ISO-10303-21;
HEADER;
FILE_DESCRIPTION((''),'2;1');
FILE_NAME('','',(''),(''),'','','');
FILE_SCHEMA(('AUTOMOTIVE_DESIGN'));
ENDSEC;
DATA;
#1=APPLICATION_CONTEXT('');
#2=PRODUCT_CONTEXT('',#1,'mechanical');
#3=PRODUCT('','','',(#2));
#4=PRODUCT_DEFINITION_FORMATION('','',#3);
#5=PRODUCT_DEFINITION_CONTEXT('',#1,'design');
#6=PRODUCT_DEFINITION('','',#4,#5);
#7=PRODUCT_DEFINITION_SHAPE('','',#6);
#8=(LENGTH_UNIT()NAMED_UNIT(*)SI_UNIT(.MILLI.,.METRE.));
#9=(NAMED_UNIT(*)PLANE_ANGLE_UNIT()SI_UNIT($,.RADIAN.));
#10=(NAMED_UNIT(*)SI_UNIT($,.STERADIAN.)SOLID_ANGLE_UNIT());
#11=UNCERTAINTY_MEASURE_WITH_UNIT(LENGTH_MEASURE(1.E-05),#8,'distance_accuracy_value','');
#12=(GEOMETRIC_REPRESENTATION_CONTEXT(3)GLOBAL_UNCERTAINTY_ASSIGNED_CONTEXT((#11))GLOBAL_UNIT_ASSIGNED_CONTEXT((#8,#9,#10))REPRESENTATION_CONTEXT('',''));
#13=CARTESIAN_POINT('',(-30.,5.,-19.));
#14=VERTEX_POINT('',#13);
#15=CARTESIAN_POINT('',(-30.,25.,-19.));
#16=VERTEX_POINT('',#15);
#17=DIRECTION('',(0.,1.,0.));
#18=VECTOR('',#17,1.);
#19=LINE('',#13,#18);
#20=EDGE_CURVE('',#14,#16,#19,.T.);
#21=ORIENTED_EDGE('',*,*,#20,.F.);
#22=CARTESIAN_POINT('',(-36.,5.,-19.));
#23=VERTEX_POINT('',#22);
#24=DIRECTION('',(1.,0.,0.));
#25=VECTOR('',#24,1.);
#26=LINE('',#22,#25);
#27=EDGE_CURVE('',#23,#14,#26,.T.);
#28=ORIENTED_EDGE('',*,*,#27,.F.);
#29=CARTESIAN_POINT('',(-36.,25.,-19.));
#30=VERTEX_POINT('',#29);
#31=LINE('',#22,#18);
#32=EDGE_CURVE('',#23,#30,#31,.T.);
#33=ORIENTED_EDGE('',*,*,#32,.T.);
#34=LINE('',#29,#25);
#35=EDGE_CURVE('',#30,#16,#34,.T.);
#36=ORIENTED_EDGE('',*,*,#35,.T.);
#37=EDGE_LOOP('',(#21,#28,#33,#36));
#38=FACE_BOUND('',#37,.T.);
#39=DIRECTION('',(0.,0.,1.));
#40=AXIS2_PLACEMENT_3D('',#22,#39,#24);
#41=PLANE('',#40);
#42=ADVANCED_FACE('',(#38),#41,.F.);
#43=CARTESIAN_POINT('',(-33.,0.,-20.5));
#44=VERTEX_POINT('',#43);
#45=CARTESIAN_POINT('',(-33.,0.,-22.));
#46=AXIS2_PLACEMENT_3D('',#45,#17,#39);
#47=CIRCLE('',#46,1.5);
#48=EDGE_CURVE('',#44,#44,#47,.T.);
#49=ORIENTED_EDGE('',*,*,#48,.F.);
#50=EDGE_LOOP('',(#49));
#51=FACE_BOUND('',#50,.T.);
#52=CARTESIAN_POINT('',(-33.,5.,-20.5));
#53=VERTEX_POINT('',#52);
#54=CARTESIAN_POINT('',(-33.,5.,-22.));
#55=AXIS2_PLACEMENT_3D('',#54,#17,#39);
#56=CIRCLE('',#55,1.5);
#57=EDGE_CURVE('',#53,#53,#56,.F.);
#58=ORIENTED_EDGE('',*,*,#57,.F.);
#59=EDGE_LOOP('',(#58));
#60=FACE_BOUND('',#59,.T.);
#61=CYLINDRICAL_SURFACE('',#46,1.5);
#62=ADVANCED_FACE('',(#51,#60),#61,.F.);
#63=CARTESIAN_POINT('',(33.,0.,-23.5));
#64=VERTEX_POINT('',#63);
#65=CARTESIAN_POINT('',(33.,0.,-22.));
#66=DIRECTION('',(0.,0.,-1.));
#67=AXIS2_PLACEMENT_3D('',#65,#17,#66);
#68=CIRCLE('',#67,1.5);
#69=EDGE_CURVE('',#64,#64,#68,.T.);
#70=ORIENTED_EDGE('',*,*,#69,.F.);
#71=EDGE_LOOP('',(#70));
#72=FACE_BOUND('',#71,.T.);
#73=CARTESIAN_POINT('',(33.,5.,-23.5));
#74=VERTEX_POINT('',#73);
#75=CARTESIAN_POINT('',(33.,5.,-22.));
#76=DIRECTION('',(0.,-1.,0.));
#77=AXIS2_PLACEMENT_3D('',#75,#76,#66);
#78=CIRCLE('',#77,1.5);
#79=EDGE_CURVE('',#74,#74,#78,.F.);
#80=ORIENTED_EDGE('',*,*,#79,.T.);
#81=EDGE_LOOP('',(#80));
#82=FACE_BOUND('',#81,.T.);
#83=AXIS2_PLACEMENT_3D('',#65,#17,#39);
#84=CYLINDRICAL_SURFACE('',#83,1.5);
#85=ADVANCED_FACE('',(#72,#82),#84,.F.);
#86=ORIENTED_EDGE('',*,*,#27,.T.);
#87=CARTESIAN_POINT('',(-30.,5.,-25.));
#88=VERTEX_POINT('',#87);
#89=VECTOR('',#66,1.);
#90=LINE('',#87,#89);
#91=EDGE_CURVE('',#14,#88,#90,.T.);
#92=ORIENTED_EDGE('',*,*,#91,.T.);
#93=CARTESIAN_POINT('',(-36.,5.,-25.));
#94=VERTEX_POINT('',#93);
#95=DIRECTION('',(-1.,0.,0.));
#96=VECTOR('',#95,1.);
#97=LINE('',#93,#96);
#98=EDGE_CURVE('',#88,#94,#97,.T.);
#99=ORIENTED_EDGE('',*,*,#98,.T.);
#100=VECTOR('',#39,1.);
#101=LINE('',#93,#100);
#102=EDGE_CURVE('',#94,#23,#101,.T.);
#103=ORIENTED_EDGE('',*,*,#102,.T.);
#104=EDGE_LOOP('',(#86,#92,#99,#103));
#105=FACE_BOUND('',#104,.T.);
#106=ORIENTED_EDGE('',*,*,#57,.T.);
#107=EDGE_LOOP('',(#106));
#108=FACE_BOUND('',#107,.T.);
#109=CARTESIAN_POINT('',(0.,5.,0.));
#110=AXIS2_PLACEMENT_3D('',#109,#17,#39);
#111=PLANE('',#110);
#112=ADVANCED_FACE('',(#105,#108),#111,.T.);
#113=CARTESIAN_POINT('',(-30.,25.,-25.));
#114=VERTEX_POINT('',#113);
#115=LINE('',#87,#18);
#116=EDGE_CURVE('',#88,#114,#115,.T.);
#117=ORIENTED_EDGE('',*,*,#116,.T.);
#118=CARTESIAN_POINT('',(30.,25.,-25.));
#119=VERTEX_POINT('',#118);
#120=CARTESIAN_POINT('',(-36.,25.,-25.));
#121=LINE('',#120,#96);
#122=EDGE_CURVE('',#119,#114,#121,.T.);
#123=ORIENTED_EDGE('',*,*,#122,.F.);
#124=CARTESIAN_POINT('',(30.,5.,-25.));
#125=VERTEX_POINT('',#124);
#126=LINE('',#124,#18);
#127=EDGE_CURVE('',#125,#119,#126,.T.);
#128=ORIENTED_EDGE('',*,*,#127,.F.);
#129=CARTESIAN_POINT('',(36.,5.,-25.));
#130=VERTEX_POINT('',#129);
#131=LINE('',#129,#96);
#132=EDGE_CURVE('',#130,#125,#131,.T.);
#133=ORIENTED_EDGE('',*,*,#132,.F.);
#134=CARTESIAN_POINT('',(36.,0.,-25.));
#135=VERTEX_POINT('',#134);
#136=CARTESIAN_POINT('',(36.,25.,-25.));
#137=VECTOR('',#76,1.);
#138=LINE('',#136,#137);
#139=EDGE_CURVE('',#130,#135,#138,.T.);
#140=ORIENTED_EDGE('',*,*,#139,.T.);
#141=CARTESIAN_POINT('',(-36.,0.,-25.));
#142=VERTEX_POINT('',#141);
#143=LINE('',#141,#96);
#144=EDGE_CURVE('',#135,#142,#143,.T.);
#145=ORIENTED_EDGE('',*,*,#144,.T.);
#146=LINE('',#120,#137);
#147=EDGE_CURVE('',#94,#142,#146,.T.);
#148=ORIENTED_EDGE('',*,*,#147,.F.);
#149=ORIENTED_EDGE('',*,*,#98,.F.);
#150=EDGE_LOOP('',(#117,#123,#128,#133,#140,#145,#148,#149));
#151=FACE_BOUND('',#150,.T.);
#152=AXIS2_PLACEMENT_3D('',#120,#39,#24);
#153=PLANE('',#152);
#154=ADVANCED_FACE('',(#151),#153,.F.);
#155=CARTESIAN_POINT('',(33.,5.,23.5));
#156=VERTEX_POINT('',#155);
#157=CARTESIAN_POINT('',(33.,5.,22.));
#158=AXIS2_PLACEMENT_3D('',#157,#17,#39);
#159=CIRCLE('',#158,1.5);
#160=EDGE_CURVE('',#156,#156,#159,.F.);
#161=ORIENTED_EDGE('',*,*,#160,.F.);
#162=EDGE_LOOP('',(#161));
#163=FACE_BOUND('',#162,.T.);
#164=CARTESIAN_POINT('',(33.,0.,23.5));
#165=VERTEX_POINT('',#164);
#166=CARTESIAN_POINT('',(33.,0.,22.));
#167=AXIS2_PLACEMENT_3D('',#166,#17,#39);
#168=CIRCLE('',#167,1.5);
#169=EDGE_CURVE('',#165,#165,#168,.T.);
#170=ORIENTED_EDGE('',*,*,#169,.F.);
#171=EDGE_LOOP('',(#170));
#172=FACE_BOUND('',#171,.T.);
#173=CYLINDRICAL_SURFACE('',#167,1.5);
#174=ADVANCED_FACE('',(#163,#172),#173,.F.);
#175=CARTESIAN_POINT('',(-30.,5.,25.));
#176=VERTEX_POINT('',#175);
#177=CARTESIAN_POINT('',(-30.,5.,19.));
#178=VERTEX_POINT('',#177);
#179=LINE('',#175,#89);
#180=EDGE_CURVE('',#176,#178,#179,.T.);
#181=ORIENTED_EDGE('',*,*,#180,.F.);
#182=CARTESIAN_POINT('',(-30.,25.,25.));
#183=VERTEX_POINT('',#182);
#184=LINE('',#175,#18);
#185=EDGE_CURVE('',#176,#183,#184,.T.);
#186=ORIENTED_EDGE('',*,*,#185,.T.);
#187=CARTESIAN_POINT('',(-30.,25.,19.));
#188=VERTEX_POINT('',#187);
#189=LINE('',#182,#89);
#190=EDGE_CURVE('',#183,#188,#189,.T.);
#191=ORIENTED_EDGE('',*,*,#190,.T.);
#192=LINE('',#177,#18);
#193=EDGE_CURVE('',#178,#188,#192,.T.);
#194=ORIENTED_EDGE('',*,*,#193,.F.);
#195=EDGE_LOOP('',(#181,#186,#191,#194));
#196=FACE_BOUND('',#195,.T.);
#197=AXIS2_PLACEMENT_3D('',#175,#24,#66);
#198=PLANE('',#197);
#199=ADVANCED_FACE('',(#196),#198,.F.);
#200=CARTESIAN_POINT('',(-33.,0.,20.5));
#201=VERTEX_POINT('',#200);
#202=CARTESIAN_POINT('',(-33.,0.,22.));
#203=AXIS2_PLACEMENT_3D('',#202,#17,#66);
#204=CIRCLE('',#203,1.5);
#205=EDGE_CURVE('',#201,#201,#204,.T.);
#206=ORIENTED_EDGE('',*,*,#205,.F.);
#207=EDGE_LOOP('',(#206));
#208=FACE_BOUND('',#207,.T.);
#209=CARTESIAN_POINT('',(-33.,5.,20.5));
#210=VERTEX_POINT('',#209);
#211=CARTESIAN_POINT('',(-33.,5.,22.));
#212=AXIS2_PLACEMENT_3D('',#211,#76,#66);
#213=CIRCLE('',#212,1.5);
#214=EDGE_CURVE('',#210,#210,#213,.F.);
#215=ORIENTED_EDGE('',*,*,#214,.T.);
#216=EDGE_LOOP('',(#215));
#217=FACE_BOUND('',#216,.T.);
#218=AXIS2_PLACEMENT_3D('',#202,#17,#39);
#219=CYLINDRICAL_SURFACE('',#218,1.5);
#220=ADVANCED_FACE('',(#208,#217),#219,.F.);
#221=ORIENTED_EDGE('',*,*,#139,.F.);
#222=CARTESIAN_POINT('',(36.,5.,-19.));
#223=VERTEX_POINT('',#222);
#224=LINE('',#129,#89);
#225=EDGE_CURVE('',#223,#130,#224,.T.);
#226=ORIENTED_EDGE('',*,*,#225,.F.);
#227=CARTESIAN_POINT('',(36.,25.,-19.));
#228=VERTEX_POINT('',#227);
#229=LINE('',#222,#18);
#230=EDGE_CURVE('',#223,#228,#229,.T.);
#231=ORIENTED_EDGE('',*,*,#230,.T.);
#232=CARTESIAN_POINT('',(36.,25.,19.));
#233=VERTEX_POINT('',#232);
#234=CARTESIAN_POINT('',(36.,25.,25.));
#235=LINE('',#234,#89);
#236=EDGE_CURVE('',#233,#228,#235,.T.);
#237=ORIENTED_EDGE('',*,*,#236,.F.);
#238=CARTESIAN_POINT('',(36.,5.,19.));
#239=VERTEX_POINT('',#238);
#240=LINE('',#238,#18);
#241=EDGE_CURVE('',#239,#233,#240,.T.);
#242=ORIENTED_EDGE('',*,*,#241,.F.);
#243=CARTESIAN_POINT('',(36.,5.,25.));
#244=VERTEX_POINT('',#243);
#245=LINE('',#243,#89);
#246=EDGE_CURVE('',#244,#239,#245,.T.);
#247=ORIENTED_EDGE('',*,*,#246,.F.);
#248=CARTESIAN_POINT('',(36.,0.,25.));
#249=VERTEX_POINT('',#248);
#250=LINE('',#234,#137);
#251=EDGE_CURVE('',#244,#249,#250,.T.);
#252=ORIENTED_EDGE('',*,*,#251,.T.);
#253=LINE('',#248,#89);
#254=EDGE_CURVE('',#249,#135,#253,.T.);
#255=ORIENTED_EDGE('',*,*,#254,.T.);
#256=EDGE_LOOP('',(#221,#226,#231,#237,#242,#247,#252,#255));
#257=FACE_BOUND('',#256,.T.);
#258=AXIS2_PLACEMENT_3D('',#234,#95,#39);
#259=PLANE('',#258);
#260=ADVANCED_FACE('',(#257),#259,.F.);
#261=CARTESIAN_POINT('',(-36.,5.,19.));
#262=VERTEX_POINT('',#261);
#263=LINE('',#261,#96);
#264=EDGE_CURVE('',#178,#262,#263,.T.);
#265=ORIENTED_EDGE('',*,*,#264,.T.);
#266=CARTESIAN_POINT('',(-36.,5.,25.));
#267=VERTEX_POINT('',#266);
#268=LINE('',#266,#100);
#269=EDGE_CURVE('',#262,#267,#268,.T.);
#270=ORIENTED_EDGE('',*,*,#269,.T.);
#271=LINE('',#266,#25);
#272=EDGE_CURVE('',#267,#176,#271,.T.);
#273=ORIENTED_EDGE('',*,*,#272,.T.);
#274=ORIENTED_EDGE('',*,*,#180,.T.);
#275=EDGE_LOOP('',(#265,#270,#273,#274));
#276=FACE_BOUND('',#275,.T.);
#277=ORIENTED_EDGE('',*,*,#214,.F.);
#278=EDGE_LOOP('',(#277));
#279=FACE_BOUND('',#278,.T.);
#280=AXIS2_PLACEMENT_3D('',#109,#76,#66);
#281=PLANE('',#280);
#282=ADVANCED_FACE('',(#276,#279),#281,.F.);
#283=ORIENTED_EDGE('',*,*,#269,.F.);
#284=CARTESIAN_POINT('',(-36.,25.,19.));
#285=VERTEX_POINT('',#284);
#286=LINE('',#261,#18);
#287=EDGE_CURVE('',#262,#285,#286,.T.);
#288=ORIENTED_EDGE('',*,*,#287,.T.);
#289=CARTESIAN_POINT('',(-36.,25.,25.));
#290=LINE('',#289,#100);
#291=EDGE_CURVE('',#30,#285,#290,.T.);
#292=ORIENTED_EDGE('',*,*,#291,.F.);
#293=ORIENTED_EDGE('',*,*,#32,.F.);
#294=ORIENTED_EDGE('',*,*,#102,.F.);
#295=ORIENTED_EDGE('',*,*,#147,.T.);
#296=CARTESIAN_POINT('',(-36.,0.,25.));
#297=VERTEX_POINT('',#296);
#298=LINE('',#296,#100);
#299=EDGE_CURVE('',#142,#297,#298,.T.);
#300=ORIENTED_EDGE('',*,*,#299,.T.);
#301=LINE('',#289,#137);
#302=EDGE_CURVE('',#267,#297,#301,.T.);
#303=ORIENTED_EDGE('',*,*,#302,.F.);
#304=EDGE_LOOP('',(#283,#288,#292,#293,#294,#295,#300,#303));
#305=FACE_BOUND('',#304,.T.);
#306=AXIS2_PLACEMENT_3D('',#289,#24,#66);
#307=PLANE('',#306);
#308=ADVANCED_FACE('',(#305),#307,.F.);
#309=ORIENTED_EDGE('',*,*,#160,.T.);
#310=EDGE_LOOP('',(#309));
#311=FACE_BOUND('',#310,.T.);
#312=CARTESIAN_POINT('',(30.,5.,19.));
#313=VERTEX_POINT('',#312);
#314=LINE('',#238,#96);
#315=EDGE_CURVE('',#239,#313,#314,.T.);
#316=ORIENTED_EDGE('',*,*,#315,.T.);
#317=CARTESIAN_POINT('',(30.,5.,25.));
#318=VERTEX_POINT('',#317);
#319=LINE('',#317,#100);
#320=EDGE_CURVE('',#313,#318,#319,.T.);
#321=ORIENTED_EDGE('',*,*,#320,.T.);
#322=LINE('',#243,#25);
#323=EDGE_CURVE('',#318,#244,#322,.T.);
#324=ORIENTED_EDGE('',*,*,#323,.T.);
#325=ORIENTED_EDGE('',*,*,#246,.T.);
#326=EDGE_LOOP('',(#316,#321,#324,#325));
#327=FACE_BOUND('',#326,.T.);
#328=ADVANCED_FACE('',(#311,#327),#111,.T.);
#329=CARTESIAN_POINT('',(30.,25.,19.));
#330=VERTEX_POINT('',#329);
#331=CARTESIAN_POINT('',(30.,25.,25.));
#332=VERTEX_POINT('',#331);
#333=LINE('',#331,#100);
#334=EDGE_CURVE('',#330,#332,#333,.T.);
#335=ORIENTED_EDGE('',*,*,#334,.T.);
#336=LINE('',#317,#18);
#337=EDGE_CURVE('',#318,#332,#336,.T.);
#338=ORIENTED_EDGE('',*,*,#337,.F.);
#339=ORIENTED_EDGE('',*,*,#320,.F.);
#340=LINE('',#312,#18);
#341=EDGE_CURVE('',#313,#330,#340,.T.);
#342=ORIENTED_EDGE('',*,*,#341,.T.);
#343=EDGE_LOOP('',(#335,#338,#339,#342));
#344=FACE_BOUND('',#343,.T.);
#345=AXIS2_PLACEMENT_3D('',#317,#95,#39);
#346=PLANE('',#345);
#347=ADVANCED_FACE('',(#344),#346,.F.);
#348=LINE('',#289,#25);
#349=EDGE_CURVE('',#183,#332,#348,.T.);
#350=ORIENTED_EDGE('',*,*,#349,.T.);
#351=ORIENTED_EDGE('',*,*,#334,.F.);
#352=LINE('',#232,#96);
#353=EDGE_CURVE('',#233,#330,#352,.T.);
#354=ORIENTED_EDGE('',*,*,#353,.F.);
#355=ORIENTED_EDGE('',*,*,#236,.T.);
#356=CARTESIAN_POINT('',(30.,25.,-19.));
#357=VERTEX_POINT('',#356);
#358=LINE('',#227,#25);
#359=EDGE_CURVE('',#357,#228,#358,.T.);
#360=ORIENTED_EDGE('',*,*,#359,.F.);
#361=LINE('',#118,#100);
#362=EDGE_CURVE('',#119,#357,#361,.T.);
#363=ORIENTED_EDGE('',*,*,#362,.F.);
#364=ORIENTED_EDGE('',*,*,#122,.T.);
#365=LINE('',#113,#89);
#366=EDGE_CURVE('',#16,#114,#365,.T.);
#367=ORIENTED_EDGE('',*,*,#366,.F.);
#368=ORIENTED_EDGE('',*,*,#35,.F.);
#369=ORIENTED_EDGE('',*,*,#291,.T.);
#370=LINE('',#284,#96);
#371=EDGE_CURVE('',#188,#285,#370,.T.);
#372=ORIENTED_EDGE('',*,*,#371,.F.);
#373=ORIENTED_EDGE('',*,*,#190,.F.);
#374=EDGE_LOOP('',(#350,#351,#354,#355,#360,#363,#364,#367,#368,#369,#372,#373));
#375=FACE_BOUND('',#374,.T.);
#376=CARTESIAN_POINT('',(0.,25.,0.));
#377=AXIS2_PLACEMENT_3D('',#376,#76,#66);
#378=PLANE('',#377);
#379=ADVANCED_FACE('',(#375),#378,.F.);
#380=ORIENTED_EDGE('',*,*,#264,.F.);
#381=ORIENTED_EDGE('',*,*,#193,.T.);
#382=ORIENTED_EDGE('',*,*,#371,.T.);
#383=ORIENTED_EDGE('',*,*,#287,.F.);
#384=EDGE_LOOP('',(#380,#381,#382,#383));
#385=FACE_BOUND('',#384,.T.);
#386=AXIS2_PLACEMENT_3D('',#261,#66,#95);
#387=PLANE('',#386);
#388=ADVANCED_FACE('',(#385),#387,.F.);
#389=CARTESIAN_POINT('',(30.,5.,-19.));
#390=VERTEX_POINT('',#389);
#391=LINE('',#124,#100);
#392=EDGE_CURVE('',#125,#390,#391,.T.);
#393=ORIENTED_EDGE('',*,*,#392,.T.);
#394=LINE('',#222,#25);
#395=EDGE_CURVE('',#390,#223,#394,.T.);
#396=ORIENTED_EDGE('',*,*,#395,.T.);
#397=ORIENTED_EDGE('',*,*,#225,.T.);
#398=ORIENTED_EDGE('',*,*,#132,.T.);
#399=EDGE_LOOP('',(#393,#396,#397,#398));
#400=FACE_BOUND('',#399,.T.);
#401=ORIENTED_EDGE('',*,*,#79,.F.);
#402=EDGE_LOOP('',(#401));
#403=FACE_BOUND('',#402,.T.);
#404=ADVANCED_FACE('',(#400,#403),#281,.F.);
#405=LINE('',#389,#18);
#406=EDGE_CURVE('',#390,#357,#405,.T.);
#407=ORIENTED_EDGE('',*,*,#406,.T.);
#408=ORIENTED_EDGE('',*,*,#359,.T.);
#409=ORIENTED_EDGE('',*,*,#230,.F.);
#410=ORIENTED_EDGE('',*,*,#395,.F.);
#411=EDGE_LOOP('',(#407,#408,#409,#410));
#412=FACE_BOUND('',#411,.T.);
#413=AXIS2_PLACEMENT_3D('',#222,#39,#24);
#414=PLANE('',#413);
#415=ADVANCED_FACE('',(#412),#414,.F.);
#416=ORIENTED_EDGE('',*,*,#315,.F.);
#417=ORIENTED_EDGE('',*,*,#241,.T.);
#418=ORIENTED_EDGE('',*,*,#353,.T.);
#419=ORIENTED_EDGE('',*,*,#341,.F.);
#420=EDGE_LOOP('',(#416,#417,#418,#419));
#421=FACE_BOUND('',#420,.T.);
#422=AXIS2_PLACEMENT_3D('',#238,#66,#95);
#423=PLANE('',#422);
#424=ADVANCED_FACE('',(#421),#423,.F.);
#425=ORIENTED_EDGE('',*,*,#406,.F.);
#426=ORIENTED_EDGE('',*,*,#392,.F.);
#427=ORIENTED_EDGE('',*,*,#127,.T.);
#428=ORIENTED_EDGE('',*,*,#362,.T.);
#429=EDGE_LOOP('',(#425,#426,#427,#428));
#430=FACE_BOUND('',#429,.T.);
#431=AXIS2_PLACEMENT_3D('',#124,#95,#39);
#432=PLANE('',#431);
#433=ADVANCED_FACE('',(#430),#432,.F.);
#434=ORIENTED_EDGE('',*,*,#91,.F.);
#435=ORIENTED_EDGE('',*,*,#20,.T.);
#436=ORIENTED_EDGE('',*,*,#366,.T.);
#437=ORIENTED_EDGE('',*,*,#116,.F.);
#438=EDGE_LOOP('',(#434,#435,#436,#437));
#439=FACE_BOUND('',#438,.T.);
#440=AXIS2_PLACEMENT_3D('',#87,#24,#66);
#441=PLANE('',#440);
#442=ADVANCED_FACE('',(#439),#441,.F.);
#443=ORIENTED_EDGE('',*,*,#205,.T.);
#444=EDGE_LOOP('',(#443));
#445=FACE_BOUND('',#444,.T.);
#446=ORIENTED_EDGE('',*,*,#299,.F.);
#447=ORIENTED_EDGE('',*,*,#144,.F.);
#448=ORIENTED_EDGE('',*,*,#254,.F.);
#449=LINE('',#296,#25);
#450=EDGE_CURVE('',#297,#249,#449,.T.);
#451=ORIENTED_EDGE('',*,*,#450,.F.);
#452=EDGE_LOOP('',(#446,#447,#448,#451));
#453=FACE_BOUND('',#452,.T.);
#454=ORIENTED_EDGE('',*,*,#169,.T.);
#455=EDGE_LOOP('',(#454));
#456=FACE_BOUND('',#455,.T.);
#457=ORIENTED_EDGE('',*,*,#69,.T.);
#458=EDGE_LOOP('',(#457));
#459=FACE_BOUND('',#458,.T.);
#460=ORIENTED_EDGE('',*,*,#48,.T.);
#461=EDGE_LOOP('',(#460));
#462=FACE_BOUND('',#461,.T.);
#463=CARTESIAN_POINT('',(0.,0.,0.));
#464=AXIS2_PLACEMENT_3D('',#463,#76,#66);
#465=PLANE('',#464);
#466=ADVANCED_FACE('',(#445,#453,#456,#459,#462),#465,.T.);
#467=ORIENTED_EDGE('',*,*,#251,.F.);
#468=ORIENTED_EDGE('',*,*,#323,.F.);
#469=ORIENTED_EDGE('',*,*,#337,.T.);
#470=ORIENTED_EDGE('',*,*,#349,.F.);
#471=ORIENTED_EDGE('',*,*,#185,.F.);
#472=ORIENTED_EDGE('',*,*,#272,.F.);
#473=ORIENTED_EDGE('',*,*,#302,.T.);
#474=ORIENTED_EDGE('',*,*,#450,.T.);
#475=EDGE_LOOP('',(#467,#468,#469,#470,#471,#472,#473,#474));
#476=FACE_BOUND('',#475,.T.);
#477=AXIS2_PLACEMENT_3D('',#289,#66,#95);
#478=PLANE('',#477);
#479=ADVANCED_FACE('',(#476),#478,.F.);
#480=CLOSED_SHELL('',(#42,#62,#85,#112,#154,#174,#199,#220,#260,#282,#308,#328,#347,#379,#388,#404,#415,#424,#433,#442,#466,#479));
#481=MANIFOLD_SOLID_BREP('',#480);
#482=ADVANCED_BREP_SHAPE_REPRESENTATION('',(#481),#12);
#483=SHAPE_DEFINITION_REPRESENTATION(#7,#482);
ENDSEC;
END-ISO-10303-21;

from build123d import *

# Parameters (mm, degrees)
SKETCH_1_W          = 72
SKETCH_1_H          = 50
EXTRUDE_1_DEPTH     = 25
SKETCH_3_R          = 1.5
CUT_EXTRUDE_1_DEPTH = 51.457903246
SKETCH_4_W          = 6
SKETCH_4_H          = 6
CUT_EXTRUDE_2_DEPTH = 20


with BuildPart() as part:
    # 草图1 → 凸台-拉伸1 (new body)
    with BuildSketch(Plane(origin=(0, 0, 0), x_dir=(1, 0, 0), z_dir=(0, 1, 0))):
        Rectangle(SKETCH_1_W, SKETCH_1_H)
    extrude(amount=EXTRUDE_1_DEPTH)

    # 草图3 → 切除-拉伸1 (cut, through all)
    with BuildSketch(Plane(origin=(0, 25, 0), x_dir=(1, 0, 0), z_dir=(0, 1, 0))):
        with Locations(Location((-33, 22, 0), (0, 0, 270))):
            Circle(SKETCH_3_R)
        with Locations(Location((33, 22, 0), (0, 0, 90))):
            Circle(SKETCH_3_R)
        with Locations(Location((33, -22, 0), (0, 0, 270))):
            Circle(SKETCH_3_R)
        with Locations(Location((-33, -22, 0), (0, 0, 90))):
            Circle(SKETCH_3_R)
    extrude(amount=-CUT_EXTRUDE_1_DEPTH, mode=Mode.SUBTRACT)

    # 草图4 → 切除-拉伸2 (cut)
    with BuildSketch(Plane(origin=(0, 25, 0), x_dir=(1, 0, 0), z_dir=(0, 1, 0))):
        with Locations((-33, 22)):
            Rectangle(SKETCH_4_W, SKETCH_4_H)
        with Locations((33, 22)):
            Rectangle(SKETCH_4_W, SKETCH_4_H)
        with Locations((33, -22)):
            Rectangle(SKETCH_4_W, SKETCH_4_H)
        with Locations((-33, -22)):
            Rectangle(SKETCH_4_W, SKETCH_4_H)
    extrude(amount=-CUT_EXTRUDE_2_DEPTH, mode=Mode.SUBTRACT)


solid = part.part
